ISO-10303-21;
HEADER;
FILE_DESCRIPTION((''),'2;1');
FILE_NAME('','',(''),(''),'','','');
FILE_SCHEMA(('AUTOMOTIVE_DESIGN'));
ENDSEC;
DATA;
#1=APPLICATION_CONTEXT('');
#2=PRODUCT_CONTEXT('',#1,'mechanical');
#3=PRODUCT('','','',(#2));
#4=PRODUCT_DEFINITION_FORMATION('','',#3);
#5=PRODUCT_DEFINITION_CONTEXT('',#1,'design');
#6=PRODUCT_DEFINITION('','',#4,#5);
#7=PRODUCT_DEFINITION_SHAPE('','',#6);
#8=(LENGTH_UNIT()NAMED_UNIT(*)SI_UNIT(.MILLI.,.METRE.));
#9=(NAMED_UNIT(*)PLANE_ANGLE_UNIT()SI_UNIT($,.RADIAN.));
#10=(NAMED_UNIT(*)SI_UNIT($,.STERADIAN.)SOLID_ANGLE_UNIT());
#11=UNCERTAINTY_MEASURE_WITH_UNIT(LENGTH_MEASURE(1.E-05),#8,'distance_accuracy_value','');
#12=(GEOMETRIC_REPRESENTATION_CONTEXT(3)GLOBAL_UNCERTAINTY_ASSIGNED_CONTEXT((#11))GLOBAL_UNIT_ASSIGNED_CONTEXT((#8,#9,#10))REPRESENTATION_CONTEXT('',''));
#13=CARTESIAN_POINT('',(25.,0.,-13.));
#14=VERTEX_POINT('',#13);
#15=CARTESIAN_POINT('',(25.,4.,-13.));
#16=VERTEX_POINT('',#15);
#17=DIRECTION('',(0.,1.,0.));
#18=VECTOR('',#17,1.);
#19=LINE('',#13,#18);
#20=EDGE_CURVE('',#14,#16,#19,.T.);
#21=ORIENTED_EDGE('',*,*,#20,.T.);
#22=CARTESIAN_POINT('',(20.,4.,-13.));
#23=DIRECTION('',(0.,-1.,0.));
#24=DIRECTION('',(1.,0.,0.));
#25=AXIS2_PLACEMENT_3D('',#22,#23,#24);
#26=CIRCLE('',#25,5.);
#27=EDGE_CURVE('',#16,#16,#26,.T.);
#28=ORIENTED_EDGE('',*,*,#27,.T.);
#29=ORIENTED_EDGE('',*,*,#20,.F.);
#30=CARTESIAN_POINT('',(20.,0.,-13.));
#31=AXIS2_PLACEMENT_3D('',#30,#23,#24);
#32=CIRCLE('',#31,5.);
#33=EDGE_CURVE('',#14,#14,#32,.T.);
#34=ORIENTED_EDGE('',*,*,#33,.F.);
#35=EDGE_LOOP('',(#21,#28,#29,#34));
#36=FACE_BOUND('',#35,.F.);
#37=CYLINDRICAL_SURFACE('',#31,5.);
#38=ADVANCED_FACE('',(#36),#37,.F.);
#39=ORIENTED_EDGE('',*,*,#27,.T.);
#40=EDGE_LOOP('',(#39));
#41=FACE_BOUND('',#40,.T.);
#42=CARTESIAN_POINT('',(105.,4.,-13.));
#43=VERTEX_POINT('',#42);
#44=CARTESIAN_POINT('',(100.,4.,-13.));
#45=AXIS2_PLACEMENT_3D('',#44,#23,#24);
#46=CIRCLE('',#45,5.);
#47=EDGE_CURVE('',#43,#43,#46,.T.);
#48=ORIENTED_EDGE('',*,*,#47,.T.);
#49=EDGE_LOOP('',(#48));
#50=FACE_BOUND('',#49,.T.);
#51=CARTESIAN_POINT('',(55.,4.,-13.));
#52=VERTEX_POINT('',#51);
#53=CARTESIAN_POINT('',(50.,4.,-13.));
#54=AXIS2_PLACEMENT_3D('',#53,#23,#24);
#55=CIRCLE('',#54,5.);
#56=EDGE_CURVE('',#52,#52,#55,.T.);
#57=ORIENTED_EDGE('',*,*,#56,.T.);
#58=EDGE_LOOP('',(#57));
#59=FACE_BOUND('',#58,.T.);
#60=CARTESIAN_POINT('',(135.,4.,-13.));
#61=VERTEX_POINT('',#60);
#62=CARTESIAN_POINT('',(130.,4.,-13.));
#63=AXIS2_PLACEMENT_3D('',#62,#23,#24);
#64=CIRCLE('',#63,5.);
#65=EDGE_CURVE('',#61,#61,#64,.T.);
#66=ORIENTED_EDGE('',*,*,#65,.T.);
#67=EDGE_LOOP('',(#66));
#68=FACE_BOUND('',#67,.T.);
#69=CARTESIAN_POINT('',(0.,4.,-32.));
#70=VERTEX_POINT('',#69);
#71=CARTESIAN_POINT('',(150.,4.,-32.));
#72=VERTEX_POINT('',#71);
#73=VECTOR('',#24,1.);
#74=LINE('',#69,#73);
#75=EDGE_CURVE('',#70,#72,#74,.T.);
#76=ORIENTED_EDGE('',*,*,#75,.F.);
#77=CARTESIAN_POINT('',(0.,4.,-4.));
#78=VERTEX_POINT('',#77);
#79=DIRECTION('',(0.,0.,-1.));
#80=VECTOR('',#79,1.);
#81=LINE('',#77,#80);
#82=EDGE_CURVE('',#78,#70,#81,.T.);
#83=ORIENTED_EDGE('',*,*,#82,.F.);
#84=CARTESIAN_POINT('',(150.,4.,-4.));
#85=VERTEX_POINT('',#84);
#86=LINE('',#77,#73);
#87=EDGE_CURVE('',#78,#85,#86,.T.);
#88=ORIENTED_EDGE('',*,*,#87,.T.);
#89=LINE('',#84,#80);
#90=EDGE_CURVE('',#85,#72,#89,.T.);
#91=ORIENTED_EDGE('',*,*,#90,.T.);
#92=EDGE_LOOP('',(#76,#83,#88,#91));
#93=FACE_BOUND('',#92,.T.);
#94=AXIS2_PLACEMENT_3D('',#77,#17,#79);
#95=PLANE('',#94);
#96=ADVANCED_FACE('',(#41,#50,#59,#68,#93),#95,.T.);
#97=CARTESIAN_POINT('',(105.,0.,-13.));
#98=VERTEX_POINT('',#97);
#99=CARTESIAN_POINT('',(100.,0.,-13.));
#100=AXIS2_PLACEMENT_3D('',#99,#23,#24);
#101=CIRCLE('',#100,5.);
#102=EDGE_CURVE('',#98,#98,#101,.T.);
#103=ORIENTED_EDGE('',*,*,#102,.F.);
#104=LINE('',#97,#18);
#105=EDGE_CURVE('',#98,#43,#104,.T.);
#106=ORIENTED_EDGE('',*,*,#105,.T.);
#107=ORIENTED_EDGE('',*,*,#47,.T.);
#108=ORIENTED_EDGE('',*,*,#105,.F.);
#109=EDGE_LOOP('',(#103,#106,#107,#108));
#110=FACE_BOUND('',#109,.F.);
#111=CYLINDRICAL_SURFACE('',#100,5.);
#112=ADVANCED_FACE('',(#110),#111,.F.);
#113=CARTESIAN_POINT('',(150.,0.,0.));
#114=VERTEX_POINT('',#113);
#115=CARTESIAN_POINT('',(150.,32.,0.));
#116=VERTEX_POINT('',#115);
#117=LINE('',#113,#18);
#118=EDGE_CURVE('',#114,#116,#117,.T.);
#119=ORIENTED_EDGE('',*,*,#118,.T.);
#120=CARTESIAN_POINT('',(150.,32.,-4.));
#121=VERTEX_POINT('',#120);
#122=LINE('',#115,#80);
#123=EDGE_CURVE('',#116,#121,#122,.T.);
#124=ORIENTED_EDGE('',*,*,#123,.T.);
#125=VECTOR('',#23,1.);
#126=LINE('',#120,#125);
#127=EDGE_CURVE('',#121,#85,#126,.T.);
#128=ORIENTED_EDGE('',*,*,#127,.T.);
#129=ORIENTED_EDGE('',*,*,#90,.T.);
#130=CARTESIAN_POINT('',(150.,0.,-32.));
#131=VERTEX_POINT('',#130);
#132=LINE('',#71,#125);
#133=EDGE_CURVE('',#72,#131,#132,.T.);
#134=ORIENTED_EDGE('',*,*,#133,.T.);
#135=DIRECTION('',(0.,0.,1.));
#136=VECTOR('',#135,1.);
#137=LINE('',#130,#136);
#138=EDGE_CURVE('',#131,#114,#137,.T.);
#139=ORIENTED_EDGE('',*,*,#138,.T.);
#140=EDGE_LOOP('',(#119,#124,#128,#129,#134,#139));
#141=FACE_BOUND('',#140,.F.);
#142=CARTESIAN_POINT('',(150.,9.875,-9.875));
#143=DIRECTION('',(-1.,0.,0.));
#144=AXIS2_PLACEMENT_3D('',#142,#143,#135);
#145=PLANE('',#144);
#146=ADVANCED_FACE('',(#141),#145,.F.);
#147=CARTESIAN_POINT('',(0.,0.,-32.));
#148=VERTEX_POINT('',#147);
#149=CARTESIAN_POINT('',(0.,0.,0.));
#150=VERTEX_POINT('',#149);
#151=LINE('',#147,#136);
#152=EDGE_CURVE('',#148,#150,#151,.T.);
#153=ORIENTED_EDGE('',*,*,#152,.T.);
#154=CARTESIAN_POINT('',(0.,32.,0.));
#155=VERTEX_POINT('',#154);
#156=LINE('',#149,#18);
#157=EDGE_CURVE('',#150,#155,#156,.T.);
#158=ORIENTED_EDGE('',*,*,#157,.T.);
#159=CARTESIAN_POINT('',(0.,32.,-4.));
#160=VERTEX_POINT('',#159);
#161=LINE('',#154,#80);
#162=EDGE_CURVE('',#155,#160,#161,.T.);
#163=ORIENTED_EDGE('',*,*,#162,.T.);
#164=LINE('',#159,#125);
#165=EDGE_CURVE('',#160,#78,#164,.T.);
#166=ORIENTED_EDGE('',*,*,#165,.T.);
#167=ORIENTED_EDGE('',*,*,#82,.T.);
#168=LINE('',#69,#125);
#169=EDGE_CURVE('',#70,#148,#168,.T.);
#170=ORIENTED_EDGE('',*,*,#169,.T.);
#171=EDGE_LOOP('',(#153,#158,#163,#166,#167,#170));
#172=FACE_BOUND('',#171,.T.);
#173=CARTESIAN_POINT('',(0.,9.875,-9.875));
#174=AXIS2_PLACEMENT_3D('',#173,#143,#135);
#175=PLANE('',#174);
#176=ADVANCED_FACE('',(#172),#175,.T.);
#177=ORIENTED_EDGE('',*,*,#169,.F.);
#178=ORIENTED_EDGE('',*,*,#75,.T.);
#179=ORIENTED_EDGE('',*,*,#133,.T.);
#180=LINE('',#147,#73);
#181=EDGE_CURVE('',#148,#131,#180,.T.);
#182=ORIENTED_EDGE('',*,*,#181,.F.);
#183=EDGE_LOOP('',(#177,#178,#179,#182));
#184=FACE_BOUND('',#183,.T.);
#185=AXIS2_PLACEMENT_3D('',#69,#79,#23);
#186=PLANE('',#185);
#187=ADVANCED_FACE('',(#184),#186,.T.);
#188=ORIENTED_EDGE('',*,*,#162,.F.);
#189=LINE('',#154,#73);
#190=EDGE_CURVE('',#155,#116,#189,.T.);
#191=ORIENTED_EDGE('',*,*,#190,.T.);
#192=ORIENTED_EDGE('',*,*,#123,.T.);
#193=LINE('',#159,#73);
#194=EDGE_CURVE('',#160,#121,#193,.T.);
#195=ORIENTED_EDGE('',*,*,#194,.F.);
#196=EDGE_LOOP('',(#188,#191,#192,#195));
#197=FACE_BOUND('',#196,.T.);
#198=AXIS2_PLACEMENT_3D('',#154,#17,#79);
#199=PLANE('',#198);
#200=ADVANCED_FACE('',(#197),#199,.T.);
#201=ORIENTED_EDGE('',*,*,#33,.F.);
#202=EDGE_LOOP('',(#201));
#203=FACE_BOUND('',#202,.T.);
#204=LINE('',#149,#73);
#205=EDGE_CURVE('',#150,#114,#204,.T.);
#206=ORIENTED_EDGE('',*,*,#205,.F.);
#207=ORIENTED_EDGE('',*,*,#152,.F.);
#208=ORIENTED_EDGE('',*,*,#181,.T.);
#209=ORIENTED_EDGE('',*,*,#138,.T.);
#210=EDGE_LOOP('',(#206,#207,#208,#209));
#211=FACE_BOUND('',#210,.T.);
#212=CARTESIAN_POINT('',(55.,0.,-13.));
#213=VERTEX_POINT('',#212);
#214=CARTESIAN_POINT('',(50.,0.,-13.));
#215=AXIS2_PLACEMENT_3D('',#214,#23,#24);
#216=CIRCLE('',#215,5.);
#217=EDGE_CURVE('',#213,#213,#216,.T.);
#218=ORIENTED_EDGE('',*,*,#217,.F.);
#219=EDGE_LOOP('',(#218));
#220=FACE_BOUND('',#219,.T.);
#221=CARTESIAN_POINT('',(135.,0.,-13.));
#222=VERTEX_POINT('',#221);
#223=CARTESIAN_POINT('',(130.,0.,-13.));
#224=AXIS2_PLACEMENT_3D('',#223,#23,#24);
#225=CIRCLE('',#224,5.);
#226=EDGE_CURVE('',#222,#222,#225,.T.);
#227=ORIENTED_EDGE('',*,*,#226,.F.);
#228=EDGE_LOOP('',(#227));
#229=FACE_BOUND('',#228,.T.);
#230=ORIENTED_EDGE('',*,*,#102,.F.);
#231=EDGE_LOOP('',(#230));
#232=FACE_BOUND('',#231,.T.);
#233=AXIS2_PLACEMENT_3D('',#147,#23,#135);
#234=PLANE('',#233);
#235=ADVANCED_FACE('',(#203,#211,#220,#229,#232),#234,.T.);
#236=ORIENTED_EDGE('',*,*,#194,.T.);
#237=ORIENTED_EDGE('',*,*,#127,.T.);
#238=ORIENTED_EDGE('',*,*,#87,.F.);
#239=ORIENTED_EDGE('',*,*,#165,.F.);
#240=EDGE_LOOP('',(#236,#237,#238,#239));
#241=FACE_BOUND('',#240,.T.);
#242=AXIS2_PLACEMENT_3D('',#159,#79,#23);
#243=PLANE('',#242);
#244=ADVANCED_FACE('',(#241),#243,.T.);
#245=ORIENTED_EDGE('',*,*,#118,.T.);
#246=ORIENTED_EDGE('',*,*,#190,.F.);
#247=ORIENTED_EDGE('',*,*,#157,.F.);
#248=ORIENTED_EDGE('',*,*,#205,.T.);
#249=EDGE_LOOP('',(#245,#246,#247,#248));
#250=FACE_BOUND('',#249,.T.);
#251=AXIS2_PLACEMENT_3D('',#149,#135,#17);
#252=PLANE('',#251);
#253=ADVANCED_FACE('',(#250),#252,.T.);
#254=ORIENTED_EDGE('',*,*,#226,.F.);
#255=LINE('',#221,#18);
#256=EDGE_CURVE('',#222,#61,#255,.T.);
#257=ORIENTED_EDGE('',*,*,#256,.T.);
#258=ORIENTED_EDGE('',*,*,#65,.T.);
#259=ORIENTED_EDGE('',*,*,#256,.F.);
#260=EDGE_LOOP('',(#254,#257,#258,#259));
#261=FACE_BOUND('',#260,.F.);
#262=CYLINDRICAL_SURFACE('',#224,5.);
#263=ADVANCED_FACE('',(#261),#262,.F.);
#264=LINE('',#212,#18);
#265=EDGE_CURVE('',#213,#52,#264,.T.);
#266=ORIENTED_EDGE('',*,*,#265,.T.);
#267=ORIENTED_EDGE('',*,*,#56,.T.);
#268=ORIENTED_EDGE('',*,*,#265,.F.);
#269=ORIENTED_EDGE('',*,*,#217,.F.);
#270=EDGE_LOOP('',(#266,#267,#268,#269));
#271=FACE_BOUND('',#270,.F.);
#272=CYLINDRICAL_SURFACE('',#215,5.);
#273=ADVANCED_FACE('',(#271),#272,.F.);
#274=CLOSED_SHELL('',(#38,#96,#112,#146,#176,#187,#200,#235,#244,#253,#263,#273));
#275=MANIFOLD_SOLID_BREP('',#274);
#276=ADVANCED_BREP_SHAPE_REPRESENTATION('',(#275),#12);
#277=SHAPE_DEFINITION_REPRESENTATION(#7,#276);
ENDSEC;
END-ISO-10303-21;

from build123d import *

# Parameters (mm, degrees)
EXTRUDE_1_DEPTH     = 150
SKETCH_2_R          = 5
CUT_EXTRUDE_1_DEPTH = 33


with BuildPart() as part:
    # Эскиз1 → Вытянуть-Тонкостенный1 (new body)
    with BuildSketch(Plane(origin=(0, 0, 0), x_dir=(0, 0, -1), z_dir=(1, 0, 0))):
        Polygon((32, 0), (0, 0), (0, 32), (4, 32), (4, 4), (32, 4), align=None)
    extrude(amount=EXTRUDE_1_DEPTH)

    # Эскиз2 → Вырез-Вытянуть1 (cut, through all)
    with BuildSketch(Plane.XZ):
        with Locations((130, -13)):
            Circle(SKETCH_2_R)
        with Locations((100, -13)):
            Circle(SKETCH_2_R)
        with Locations((50, -13)):
            Circle(SKETCH_2_R)
        with Locations((20, -13)):
            Circle(SKETCH_2_R)
    extrude(amount=-CUT_EXTRUDE_1_DEPTH, mode=Mode.SUBTRACT)


solid = part.part
